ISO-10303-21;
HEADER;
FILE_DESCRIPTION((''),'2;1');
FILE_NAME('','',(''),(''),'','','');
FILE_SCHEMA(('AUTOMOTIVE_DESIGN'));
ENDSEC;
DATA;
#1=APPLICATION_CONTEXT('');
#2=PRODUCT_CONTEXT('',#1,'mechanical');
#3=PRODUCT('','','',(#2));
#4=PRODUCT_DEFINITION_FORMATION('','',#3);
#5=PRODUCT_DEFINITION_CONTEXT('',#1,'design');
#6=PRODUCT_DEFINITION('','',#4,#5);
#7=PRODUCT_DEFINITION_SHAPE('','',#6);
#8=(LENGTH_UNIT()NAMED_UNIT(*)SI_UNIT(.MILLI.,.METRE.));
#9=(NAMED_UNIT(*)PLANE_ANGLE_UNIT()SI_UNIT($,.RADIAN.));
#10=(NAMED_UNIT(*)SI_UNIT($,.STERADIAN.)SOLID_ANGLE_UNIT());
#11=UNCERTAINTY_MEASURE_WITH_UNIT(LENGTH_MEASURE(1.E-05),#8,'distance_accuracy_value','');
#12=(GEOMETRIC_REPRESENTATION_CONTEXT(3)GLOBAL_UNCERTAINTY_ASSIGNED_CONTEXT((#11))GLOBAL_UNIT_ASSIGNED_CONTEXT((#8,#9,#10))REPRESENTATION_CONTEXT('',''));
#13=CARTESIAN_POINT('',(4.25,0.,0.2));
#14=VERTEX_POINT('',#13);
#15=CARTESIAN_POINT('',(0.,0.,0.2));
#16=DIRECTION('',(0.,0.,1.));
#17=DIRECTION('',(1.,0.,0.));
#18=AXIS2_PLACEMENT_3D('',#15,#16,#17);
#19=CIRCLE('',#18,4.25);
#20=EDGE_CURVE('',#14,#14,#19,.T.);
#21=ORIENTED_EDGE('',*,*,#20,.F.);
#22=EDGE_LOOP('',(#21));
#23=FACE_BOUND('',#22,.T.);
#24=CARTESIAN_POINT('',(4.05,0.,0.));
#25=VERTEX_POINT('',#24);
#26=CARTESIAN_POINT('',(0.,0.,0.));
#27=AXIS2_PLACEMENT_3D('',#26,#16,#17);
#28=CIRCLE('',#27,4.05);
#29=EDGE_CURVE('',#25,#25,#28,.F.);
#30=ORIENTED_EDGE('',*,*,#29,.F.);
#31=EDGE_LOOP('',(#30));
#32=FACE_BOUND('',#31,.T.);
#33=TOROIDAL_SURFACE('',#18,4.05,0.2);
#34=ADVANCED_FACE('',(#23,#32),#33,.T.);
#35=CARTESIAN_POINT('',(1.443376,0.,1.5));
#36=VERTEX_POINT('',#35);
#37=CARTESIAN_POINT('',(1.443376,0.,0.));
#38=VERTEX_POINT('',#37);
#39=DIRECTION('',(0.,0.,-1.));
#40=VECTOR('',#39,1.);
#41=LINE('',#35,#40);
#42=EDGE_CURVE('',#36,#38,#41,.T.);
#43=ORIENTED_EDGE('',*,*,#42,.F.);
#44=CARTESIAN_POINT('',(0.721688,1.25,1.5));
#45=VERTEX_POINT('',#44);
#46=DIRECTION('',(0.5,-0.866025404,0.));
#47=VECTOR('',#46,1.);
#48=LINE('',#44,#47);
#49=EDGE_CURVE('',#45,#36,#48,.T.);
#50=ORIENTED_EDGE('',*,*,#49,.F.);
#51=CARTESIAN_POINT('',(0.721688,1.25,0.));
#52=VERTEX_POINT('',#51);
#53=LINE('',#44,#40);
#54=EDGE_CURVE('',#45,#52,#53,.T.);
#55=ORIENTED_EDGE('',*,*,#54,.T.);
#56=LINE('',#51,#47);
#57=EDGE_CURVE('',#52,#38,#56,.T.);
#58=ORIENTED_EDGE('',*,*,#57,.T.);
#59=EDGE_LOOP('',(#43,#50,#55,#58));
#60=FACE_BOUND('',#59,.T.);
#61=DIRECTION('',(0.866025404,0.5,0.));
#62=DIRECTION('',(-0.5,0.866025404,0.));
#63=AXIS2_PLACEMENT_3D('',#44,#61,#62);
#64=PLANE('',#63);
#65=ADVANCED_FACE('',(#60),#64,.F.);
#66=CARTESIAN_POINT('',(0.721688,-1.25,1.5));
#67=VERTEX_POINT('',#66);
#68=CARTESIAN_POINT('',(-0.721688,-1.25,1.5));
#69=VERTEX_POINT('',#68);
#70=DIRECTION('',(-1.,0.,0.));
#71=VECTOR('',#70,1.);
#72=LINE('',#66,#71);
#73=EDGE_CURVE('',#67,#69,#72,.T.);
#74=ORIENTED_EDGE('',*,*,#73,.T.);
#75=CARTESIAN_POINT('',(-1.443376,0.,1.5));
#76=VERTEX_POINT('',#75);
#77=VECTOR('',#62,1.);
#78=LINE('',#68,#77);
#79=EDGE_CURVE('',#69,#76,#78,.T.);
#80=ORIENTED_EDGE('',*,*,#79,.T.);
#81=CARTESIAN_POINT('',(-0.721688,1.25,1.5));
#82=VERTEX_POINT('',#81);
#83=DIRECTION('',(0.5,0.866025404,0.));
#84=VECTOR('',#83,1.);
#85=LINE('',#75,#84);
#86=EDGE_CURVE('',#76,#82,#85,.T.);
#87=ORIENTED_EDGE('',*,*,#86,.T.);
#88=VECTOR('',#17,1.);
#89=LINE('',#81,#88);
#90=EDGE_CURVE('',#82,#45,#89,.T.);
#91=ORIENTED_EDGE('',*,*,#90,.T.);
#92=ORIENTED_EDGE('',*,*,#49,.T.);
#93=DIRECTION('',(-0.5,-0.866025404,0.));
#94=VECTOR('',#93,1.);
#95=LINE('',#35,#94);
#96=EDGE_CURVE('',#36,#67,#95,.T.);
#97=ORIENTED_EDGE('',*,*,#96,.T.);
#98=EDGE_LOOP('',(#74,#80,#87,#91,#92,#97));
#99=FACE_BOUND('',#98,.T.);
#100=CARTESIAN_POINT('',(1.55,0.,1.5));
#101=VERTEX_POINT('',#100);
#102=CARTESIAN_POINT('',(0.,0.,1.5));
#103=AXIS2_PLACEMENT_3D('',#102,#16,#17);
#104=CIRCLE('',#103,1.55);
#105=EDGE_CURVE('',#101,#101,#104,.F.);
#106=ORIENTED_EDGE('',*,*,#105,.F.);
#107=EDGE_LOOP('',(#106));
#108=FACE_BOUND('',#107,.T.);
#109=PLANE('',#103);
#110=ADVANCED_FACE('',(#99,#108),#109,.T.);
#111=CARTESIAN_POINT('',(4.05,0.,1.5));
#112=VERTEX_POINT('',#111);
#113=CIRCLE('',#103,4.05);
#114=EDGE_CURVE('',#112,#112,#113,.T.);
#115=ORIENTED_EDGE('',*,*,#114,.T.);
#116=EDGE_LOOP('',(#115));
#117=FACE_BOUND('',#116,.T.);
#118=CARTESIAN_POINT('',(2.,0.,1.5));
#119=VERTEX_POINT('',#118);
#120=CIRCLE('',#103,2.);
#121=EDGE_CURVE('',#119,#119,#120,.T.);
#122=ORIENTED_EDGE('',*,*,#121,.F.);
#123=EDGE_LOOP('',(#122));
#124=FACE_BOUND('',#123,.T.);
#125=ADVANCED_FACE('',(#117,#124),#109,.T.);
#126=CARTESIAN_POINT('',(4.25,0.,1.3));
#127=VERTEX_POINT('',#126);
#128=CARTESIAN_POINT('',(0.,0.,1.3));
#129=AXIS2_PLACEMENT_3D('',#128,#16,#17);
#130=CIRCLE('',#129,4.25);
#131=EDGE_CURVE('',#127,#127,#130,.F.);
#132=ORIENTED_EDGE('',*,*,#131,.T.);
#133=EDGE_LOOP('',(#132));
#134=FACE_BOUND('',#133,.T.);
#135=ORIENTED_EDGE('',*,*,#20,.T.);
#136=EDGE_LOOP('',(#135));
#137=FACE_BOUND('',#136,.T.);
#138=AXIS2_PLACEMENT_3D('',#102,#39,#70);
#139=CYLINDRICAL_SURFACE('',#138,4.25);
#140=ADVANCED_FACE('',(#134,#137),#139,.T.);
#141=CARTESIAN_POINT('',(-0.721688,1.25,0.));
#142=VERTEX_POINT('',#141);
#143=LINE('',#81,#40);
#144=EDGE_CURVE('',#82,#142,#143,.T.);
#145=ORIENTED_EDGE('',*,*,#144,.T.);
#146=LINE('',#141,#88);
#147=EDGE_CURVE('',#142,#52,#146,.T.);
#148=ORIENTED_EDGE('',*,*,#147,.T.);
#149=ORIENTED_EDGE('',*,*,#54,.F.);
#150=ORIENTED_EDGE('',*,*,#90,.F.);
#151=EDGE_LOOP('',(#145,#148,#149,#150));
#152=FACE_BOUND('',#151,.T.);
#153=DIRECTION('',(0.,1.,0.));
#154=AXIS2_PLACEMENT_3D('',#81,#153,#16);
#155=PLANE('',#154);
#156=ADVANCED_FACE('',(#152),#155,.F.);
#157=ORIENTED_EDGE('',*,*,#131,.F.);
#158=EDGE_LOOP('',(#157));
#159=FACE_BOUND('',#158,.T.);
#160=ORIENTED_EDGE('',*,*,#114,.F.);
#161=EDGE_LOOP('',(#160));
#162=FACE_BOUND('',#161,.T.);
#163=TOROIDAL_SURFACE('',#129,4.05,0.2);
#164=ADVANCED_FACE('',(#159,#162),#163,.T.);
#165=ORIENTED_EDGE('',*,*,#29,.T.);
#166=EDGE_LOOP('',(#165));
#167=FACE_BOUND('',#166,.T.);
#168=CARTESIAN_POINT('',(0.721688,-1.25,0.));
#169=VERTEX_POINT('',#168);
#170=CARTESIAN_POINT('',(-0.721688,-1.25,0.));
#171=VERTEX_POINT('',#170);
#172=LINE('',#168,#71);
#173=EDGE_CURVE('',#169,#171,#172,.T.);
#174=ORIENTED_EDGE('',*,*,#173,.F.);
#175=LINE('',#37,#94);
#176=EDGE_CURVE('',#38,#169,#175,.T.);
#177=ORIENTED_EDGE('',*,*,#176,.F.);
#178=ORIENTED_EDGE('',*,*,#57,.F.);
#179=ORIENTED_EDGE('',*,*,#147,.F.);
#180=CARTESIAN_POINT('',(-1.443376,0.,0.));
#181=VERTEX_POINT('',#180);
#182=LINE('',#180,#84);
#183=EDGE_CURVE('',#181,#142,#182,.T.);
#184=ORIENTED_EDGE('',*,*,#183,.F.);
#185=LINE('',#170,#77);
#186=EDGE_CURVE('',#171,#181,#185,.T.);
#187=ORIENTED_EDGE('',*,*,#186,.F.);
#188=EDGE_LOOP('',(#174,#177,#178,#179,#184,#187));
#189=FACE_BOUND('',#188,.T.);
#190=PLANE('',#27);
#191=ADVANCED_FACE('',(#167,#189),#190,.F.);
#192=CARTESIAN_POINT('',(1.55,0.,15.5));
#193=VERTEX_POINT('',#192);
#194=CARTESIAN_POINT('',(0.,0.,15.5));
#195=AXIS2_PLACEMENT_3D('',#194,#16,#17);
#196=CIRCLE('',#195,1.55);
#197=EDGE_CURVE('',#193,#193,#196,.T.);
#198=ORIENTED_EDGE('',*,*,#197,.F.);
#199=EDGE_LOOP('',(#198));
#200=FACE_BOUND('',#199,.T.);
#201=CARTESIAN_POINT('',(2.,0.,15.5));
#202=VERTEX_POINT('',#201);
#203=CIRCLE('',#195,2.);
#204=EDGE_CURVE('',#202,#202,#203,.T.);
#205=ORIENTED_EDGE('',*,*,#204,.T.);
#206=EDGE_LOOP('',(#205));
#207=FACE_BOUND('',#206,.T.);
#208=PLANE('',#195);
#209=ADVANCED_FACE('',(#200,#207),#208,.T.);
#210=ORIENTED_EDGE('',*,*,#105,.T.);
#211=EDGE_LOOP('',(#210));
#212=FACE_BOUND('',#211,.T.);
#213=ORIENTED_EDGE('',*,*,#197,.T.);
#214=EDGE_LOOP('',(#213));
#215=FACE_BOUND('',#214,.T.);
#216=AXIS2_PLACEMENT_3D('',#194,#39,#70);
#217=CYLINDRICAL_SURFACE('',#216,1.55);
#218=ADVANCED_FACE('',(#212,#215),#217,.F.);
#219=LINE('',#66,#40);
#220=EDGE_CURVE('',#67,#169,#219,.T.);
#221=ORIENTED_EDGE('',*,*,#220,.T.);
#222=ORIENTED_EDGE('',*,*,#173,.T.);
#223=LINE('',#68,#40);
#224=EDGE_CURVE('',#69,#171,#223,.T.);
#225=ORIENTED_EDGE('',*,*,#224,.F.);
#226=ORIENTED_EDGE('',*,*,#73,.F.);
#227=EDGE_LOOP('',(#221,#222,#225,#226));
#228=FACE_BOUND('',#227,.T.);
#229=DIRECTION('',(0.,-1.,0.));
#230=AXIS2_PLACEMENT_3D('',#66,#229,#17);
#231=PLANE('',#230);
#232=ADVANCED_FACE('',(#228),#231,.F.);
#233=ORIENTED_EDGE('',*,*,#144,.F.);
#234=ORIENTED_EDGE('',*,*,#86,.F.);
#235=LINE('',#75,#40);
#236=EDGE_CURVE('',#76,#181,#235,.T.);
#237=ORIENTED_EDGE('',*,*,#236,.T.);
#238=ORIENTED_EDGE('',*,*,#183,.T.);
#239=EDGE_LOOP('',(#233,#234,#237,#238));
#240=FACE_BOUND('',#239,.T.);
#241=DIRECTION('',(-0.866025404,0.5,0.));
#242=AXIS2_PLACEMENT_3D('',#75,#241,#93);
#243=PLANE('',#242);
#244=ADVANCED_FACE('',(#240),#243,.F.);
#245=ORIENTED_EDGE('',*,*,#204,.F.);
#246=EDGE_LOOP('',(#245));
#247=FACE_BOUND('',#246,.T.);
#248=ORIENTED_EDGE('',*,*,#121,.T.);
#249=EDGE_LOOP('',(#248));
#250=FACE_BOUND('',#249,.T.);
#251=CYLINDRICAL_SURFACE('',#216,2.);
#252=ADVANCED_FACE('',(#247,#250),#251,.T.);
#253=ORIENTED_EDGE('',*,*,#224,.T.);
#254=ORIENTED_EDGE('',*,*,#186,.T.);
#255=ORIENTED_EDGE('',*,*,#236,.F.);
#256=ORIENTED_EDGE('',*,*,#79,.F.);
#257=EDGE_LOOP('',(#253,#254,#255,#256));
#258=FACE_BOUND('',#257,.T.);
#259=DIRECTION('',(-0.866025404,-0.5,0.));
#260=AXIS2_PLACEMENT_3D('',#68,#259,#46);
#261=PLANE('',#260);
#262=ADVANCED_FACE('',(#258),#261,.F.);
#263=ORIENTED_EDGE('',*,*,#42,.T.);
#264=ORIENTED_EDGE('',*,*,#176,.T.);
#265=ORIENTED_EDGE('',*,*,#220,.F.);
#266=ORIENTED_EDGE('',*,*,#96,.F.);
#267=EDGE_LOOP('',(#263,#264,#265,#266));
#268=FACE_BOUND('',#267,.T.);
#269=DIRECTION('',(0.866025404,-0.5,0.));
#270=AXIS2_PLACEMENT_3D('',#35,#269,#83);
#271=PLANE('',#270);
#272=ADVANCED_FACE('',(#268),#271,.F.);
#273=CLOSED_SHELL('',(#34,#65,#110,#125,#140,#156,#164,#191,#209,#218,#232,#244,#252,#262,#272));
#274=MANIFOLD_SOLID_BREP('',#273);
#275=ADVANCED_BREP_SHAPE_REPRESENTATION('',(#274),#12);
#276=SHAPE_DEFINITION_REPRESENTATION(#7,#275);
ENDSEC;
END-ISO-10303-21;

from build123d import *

# Parameters (mm, degrees)
SKETCH_1_R          = 4.25
EXTRUDE_1_DEPTH     = 1.5
SKETCH_2_R          = 2
SKETCH_2_R_2        = 1.55
EXTRUDE_2_DEPTH     = 14
FILLET_1_R          = 0.2
CUT_EXTRUDE_1_DEPTH = 1.5


with BuildPart() as part:
    # 草图1 → 凸台-拉伸1 (new body)
    with BuildSketch(Plane.XY):
        Circle(SKETCH_1_R)
    extrude(amount=EXTRUDE_1_DEPTH)

    # 草图2 → 凸台-拉伸2 (add)
    with BuildSketch(Plane.XY.offset(1.5)):
        Circle(SKETCH_2_R)
        Circle(SKETCH_2_R_2, mode=Mode.SUBTRACT)
    extrude(amount=EXTRUDE_2_DEPTH)

    # 圆角1
    fillet_1_edges = [part.edges().sort_by_distance(p)[0] for p in [
        (-4.25, 0, 0),
        (-4.25, 0, 1.5),
    ]]
    fillet(fillet_1_edges, radius=FILLET_1_R)

    # 草图3 → 切除-拉伸1 (cut)
    with BuildSketch(Plane(origin=(0, 0, 0), x_dir=(-1, 0, 0), z_dir=(0, 0, -1))):
        Polygon((1.443375673, 0), (0.721687836, 1.25), (-0.721687836, 1.25), (-1.443375673, 0), (-0.721687836, -1.25), (0.721687836, -1.25), align=None)
    extrude(amount=-CUT_EXTRUDE_1_DEPTH, mode=Mode.SUBTRACT)


solid = part.part
